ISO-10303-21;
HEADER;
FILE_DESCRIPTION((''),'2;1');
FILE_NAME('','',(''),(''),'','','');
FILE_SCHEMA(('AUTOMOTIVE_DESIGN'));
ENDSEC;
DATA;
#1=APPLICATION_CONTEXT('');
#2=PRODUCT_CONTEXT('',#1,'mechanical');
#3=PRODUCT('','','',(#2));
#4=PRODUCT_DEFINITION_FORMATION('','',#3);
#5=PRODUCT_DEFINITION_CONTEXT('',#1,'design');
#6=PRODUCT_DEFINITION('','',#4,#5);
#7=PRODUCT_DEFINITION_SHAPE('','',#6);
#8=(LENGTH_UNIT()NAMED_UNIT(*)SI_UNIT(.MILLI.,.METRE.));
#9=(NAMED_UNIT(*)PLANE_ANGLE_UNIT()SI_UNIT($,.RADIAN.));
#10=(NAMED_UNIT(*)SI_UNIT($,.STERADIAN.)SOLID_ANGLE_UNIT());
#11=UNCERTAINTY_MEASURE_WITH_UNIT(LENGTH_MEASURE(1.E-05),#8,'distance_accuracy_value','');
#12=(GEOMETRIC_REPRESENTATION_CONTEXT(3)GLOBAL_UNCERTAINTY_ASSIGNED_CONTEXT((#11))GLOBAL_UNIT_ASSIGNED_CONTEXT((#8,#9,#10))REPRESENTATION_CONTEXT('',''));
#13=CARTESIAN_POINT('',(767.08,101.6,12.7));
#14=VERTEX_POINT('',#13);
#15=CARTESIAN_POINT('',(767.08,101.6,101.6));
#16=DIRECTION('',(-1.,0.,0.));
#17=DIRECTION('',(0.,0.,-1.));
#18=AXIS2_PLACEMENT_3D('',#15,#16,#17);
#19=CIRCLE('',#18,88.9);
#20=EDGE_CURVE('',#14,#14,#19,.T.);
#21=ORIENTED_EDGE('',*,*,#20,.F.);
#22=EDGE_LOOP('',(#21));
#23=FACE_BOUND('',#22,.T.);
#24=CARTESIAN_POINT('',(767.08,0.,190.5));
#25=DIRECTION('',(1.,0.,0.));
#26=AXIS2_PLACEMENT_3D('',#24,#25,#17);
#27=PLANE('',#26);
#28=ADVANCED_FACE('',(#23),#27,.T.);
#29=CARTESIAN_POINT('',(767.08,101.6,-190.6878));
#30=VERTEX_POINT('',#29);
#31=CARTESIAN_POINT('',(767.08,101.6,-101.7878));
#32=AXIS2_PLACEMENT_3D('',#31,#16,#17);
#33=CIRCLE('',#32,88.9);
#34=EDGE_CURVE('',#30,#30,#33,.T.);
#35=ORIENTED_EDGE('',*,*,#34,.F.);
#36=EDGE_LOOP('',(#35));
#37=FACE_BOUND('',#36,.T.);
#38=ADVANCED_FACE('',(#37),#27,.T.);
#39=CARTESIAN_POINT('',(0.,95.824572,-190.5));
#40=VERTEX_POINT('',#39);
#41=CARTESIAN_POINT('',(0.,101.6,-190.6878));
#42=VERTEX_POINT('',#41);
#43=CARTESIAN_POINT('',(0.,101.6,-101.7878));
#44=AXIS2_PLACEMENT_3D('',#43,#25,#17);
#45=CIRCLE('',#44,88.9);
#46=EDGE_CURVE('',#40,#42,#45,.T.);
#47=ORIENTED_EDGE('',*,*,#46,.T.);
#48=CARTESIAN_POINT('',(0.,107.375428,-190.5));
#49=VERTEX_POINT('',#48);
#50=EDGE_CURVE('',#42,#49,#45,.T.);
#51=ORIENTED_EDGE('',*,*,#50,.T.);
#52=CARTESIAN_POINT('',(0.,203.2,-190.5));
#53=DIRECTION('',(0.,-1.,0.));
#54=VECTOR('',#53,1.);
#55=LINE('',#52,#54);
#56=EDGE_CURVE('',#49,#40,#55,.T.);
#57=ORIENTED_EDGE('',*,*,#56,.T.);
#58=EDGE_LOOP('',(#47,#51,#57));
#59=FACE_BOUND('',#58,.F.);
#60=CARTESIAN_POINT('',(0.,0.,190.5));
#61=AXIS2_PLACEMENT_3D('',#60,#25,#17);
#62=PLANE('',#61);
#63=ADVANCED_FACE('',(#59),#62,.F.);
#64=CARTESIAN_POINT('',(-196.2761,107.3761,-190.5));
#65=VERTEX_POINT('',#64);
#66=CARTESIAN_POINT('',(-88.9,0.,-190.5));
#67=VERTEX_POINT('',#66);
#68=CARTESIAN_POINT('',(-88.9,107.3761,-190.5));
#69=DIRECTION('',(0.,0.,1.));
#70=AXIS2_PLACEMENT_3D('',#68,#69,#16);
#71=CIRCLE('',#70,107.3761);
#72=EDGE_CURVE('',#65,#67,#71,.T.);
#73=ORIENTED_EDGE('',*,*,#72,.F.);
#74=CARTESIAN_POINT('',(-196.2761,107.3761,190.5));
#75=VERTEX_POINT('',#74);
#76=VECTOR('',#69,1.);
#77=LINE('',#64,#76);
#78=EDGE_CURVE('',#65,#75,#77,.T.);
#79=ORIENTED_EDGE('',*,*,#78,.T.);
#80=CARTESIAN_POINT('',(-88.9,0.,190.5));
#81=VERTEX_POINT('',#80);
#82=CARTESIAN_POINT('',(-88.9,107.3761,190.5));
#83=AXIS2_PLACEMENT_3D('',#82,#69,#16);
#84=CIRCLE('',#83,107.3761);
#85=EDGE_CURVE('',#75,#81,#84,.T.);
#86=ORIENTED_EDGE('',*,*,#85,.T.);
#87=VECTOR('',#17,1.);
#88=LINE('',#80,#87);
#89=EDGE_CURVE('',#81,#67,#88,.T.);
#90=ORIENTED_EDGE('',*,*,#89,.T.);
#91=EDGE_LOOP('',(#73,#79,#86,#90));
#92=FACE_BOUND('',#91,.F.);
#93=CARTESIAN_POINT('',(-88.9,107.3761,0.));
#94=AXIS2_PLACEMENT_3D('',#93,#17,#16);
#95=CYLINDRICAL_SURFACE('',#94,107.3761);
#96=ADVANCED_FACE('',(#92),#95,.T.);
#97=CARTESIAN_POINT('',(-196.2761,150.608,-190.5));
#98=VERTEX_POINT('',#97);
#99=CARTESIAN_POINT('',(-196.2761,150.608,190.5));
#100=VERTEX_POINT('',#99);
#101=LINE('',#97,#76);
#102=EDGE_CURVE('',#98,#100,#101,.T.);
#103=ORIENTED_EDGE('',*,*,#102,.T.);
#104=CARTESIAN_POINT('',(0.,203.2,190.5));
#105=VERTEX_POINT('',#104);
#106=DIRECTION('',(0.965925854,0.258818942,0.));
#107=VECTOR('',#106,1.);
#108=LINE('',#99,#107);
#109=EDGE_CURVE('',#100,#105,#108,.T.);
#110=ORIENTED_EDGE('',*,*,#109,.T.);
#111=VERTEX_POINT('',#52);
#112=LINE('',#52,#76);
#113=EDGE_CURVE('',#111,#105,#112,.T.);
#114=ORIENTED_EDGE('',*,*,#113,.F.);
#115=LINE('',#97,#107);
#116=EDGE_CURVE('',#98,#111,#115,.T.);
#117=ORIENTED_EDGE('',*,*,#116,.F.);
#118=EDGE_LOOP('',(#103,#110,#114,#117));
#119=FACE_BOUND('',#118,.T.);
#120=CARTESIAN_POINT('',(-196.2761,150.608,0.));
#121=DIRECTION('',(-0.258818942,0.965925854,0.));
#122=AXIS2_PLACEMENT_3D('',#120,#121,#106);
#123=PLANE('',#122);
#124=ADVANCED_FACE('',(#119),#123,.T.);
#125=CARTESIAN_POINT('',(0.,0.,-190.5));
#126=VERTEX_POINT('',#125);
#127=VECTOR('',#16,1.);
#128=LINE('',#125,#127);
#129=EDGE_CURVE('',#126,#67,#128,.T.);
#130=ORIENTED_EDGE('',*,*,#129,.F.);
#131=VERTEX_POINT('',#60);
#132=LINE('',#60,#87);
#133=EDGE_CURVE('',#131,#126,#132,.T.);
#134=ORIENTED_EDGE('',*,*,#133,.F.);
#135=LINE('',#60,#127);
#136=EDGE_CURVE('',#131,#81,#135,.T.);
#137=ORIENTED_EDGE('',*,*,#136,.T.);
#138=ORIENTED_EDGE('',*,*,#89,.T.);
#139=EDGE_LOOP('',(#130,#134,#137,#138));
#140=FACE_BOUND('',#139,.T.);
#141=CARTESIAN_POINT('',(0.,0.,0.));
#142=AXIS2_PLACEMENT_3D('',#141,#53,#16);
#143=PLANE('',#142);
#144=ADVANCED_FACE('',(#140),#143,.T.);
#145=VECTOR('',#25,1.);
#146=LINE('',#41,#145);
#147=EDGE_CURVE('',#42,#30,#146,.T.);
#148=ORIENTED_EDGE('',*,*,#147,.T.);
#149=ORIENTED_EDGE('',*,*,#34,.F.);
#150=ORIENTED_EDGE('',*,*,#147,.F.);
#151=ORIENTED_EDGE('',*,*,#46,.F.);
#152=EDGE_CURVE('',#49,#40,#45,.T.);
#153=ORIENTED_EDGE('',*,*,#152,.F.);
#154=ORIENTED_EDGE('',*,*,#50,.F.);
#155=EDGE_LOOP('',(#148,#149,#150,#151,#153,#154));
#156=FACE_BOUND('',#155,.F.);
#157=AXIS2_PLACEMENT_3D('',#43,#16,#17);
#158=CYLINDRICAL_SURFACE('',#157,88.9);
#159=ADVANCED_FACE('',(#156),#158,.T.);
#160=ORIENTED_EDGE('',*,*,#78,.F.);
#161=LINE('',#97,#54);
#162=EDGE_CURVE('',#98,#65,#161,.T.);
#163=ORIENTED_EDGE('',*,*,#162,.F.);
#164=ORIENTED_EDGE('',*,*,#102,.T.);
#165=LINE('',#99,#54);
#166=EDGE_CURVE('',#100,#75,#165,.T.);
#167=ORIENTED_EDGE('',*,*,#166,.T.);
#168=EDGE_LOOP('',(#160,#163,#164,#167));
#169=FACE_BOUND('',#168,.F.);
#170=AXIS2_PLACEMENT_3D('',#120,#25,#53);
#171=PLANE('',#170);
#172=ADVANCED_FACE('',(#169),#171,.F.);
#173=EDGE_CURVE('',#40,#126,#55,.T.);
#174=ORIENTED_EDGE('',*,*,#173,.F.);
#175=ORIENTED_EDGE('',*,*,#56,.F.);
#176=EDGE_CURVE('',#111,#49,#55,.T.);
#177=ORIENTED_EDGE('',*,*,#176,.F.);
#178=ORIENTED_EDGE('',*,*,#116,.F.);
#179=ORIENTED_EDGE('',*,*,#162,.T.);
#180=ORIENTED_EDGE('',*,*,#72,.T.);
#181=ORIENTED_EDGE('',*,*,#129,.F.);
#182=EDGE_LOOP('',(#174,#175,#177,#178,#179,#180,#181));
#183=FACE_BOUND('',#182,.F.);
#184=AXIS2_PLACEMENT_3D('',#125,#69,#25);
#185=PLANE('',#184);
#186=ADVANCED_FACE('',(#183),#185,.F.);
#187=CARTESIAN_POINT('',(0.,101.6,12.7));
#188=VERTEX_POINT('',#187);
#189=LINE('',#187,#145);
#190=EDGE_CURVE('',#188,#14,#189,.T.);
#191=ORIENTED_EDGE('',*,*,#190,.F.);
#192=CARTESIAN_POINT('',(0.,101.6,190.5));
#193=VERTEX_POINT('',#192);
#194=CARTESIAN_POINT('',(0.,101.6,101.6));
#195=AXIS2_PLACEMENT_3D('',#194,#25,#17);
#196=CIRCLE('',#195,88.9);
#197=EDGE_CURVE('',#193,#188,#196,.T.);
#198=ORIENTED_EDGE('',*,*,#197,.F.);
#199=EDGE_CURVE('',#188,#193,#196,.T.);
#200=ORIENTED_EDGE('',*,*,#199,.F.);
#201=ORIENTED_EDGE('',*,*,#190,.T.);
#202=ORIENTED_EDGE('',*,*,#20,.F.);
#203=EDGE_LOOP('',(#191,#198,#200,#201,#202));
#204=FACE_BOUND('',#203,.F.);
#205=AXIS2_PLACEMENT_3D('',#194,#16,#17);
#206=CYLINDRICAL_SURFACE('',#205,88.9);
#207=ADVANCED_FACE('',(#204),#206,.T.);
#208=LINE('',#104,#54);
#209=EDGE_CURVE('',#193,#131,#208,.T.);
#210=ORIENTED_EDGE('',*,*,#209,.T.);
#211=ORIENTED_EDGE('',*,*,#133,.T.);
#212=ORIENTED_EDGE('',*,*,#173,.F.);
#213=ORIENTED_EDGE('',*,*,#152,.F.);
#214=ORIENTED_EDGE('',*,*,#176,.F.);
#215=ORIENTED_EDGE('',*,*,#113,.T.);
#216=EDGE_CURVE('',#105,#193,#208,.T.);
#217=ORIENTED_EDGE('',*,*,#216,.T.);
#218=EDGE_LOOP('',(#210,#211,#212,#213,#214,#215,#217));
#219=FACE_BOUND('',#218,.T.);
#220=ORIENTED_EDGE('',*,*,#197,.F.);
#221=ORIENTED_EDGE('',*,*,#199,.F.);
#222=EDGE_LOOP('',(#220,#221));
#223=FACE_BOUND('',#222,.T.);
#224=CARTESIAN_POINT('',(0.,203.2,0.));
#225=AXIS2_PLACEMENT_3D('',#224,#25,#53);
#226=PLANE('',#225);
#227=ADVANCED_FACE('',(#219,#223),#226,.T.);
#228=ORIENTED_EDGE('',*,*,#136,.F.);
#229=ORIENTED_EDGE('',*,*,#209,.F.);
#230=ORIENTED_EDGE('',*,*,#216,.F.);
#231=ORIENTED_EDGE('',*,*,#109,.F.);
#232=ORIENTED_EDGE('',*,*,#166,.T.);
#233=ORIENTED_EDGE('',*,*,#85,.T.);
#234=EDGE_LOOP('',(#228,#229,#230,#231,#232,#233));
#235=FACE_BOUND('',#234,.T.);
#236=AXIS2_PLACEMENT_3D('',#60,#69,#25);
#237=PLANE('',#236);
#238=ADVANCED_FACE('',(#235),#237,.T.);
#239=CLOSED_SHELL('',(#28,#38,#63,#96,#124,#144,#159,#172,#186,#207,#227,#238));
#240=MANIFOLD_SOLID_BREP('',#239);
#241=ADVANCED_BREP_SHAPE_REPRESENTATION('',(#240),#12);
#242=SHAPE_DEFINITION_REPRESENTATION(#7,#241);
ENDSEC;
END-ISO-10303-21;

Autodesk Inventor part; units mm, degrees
ref_plane "YZ Plane" through (0, 0, 0) normal (1, 0, 0) x (0, 1, 0)
ref_plane "XZ Plane" through (0, 0, 0) normal (0, 1, 0) x (-1, 0, 0)
ref_plane "XY Plane" through (0, 0, 0) normal (0, 0, 1) x (1, 0, 0)
sketch "Sketch1" plane through (0, 0, 0) normal (0, 0, 1) x (1, 0, 0)
  line L0 (0, 203.2) -> (0, 0)
  line L1 (0, 0) -> (-88.9, 0)
  line L2 (-196.2761, 150.608) -> (-196.2761, 107.3761)
  arc A0 (-196.2761, 107.3761) -> (-88.9, 0) centre (-88.9, 107.3761) ccw
  line L3 (-196.2761, 150.608) -> (0, 203.2)
  line L4 (0, -67.326) -> (0, 248.2877) projected
  dimension "d1" = 203.2
  dimension "d2" = 75
  dimension "d3" = 203.2
  dimension "d4" = 88.9
extrude "Extrusion1" add sketch "Sketch1" along normal mid plane 381
sketch "Sketch2" plane through (0, 0, 190.5) normal (1, 0, 0) x (0, 0, -1)
  circle A0 centre (88.9, 101.6) radius 88.9
  circle A1 centre (292.2878, 101.6) radius 88.9
  line L0 (381, 203.2) -> (0, 203.2) projected
  line L1 (0, 0) -> (0, 203.2)
  line L2 (381, 203.2) -> (381, 0)
  point P0 (190.5, 0)
  point P1 (0, 150.608)
  point P2 (366.6135, 150.374)
  point P3 (381, 0)
  point P4 (381, 107.3761)
  point P5 (0, 101.6)
  dimension "d7" = 177.8
  dimension "d8" = 177.8
  dimension "d16" = 101.6
  dimension "d17" = 101.6
extrude "Extrusion2" add sketch "Sketch2" along normal blind 767.08
properties part number "DMJ_Legs"
